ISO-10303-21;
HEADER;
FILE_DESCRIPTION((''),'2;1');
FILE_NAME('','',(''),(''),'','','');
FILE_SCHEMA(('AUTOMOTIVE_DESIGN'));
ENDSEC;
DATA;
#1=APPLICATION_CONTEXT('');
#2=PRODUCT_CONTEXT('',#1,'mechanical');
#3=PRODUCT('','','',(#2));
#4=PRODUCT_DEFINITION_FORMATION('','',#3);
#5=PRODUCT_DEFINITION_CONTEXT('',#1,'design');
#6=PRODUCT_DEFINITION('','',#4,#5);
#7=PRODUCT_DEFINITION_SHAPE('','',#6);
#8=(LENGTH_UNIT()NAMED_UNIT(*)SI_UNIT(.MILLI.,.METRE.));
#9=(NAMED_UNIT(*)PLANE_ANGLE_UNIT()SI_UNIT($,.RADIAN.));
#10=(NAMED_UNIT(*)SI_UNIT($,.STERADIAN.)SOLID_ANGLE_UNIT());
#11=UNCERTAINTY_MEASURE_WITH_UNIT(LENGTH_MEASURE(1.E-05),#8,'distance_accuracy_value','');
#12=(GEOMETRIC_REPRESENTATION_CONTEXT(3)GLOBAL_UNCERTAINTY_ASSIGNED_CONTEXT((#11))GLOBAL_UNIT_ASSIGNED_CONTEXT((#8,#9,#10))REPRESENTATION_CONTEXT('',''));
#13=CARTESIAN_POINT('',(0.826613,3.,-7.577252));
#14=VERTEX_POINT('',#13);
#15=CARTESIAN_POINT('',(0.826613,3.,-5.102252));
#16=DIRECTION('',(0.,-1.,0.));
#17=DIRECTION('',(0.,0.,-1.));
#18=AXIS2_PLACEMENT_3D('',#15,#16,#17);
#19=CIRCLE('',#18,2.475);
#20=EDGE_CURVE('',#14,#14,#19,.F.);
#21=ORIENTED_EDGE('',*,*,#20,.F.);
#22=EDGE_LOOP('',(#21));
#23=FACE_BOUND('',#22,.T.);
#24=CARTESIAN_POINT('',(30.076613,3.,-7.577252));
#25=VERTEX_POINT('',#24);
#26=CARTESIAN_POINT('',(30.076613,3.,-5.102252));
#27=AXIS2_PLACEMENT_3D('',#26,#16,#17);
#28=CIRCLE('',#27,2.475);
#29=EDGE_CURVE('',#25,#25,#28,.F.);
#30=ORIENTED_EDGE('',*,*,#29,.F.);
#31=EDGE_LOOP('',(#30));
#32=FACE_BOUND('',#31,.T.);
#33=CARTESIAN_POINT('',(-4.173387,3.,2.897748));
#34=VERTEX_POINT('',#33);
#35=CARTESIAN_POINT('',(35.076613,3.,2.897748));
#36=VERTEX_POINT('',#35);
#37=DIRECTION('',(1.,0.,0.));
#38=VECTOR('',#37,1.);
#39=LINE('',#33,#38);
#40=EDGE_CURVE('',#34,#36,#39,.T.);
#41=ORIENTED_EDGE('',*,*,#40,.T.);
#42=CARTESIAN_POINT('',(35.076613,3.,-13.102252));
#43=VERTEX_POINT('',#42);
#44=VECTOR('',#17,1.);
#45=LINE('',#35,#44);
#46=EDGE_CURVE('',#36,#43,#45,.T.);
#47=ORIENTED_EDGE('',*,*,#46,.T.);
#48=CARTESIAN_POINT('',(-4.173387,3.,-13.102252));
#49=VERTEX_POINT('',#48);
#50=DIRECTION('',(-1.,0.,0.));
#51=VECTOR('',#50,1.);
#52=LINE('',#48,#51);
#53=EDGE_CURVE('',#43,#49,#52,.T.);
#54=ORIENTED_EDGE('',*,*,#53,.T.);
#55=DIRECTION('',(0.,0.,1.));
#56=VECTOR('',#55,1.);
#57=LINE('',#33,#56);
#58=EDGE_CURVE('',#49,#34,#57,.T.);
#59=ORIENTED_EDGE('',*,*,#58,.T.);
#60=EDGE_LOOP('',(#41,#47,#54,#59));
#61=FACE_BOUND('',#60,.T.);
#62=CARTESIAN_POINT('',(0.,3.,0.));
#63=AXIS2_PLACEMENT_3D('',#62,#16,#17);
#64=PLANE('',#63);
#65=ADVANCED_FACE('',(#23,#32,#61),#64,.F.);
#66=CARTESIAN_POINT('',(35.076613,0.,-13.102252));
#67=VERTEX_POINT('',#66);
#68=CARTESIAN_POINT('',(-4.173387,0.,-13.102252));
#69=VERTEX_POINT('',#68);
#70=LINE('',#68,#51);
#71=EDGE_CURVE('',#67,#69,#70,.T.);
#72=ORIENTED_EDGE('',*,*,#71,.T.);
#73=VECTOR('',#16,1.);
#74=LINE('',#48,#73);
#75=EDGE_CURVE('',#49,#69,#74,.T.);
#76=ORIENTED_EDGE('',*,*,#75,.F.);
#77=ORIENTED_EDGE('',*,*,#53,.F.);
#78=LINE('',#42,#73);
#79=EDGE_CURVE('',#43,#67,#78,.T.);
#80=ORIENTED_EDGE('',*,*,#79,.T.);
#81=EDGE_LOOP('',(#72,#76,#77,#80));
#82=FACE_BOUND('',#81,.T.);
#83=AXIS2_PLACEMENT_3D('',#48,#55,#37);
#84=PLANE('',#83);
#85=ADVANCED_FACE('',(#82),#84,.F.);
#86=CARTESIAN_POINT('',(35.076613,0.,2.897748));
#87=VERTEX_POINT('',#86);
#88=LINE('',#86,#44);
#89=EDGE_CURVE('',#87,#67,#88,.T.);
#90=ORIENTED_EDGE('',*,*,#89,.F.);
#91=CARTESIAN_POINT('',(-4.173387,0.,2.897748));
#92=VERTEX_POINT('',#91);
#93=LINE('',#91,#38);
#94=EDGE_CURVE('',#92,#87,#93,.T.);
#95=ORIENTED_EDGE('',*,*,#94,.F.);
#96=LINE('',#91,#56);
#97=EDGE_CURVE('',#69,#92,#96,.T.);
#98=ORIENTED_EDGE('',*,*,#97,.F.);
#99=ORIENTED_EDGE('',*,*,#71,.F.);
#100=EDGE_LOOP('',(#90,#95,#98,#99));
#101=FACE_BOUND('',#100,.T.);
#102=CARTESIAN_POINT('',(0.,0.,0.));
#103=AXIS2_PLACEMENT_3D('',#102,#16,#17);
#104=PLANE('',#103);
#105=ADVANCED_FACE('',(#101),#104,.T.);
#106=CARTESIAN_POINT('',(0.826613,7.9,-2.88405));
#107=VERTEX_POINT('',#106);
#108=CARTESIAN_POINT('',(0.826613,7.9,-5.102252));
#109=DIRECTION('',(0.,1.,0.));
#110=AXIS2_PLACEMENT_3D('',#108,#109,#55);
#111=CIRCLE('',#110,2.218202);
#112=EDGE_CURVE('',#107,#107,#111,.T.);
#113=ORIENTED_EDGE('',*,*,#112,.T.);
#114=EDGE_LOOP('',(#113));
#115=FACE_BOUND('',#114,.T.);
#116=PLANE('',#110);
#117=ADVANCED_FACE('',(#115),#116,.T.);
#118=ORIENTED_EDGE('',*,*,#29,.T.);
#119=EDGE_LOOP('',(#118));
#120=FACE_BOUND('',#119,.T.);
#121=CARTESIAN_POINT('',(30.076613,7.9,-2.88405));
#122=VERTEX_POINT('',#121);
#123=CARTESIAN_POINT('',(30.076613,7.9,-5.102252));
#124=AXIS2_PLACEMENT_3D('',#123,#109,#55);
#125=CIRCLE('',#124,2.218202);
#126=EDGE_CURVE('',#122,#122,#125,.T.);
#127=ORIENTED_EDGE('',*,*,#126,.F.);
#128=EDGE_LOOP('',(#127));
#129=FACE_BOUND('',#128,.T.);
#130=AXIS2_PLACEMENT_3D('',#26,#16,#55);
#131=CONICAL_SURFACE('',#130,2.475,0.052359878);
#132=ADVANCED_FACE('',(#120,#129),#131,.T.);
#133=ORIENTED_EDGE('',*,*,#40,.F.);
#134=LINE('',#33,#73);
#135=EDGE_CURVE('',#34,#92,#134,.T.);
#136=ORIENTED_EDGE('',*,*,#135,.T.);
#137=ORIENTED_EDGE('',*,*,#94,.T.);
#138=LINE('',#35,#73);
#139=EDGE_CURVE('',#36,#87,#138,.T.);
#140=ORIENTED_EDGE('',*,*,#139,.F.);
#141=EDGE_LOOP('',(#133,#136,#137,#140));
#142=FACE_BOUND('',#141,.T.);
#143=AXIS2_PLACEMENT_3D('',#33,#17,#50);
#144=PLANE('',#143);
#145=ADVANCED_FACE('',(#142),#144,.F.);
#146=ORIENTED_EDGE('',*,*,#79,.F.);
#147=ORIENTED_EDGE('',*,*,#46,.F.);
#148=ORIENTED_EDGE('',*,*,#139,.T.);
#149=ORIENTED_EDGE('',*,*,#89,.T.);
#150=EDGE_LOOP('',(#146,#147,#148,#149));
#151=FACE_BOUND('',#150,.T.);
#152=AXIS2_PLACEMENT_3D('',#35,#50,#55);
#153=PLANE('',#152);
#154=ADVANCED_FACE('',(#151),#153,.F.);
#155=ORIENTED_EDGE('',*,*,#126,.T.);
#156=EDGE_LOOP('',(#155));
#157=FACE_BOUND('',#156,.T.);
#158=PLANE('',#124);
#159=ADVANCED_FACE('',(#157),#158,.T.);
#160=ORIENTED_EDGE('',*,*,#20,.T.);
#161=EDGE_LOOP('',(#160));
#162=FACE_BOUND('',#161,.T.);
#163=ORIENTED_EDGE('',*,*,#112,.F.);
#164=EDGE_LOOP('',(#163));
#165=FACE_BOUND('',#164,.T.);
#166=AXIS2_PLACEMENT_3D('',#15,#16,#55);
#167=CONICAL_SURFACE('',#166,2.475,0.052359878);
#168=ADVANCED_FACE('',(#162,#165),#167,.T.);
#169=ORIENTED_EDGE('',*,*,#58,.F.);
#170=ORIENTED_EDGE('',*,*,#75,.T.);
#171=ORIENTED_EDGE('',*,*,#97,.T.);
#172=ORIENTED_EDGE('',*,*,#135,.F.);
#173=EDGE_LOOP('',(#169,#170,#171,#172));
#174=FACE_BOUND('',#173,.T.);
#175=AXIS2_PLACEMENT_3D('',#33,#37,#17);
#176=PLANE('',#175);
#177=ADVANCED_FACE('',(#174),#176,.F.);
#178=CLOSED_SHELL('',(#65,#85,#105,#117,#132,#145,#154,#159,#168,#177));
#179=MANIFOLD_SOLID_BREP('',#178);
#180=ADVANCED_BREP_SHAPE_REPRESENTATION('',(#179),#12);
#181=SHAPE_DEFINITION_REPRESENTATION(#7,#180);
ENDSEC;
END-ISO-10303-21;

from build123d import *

# Parameters (mm, degrees)
SKETCH1_W                     = 39.25
SKETCH1_H                     = 16
BOSS_EXTRUDE1_DEPTH           = 3
SKETCH2_R                     = 2.475
BOSS_EXTRUDE2_DEPTH           = 4.9
BOSS_EXTRUDE2_DRAFT           = 3
BOSS_EXTRUDE2_PROFILE_2_DEPTH = 4.9
BOSS_EXTRUDE2_PROFILE_2_DRAFT = 3


with BuildPart() as part:
    # Sketch1 → Boss-Extrude1 (new body)
    with BuildSketch(Plane(origin=(0, 0, 0), x_dir=(1, 0, 0), z_dir=(0, 1, 0))):
        with Locations((15.45161309, 5.10225193)):
            Rectangle(SKETCH1_W, SKETCH1_H)
    extrude(amount=BOSS_EXTRUDE1_DEPTH)


with BuildPart() as boss_extrude2_tool:
    # Sketch2 → Boss-Extrude2 (with draft: the straight prism first)
    with BuildSketch(Plane(origin=(0, 3, 0), x_dir=(1, 0, 0), z_dir=(0, 1, 0))):
        with Locations((0.82661309, 5.10225193)):
            Circle(SKETCH2_R)
    extrude(amount=BOSS_EXTRUDE2_DEPTH)
    # Boss-Extrude2: the draft: its side faces are tilted about the plane it starts from
    boss_extrude2_sides = [boss_extrude2_tool.faces().sort_by_distance(p)[0] for p in [
        (-1.64838691, 5.45, -5.10225193),
    ]]
    draft(boss_extrude2_sides, Plane(origin=(0, 3, 0), x_dir=(1, 0, 0), z_dir=(0, 1, 0)), BOSS_EXTRUDE2_DRAFT)


with BuildPart() as part_1:
    add(part.part)

    # Boss-Extrude2: add boss_extrude2_tool
    add(boss_extrude2_tool.part)


with BuildPart() as boss_extrude2_profile_2_tool:
    # Sketch2 → Boss-Extrude2 profile 2 (with draft: the straight prism first)
    with BuildSketch(Plane(origin=(0, 3, 0), x_dir=(1, 0, 0), z_dir=(0, 1, 0))):
        with Locations((30.07661309, 5.10225193)):
            Circle(SKETCH2_R)
    extrude(amount=BOSS_EXTRUDE2_PROFILE_2_DEPTH)
    # Boss-Extrude2 profile 2: the draft: its side faces are tilted about the plane it starts from
    boss_extrude2_profile_2_sides = [boss_extrude2_profile_2_tool.faces().sort_by_distance(p)[0] for p in [
        (27.60161309, 5.45, -5.10225193),
    ]]
    draft(boss_extrude2_profile_2_sides, Plane(origin=(0, 3, 0), x_dir=(1, 0, 0), z_dir=(0, 1, 0)), BOSS_EXTRUDE2_PROFILE_2_DRAFT)


with BuildPart() as part_2:
    add(part_1.part)

    # Boss-Extrude2 profile 2: add boss_extrude2_profile_2_tool
    add(boss_extrude2_profile_2_tool.part)


solid = part_2.part
